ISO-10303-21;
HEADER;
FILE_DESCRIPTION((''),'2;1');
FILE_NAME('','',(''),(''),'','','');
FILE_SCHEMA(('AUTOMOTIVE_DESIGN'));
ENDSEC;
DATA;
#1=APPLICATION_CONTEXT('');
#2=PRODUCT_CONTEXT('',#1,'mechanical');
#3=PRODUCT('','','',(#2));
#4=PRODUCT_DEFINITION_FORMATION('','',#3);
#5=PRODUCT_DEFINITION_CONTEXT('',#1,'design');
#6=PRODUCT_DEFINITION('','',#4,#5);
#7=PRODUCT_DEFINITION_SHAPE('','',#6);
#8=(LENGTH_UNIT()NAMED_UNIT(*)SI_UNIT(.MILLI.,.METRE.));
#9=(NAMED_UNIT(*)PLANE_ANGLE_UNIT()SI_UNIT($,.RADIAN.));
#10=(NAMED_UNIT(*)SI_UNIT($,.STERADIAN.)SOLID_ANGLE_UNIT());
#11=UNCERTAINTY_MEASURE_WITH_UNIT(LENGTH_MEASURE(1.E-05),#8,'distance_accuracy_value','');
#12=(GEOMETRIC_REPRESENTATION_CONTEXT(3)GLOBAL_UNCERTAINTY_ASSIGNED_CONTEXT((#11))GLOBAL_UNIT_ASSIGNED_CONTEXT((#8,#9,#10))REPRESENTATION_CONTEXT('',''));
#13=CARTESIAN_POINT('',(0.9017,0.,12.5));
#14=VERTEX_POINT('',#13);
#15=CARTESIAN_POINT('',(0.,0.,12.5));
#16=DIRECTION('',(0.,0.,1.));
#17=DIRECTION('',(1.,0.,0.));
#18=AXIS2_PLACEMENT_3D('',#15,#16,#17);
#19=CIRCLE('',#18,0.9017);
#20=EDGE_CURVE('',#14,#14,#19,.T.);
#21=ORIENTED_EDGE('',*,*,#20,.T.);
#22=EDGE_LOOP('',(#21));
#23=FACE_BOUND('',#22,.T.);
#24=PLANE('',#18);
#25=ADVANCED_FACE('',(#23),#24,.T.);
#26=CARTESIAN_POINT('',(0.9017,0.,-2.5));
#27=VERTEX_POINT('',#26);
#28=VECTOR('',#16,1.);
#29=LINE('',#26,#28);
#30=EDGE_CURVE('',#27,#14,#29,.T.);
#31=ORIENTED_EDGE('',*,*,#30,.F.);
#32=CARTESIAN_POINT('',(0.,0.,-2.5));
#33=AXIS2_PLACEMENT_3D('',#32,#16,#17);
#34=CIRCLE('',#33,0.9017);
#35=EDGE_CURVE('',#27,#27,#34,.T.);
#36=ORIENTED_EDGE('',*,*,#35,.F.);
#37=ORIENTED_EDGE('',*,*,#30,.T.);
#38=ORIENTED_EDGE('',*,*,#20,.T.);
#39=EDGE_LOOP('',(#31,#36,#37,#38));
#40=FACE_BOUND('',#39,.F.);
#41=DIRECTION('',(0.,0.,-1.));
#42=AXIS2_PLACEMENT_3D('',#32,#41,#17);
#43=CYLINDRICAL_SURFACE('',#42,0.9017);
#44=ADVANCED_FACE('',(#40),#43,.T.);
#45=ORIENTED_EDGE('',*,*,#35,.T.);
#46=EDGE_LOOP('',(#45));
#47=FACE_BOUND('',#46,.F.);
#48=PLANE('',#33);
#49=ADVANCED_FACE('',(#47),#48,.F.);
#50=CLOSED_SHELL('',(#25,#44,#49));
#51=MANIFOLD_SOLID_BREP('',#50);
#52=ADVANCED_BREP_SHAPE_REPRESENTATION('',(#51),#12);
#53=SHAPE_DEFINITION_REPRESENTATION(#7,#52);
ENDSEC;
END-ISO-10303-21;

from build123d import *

# Parameters (mm, degrees)
CYLINDER_R     = 0.9017
CYLINDER_DEPTH = 15


with BuildPart() as part:
    # Cylinder → Cylinder (new body)
    with BuildSketch(Plane.XY.offset(-2.5)):
        Circle(CYLINDER_R)
    extrude(amount=CYLINDER_DEPTH)


solid = part.part
